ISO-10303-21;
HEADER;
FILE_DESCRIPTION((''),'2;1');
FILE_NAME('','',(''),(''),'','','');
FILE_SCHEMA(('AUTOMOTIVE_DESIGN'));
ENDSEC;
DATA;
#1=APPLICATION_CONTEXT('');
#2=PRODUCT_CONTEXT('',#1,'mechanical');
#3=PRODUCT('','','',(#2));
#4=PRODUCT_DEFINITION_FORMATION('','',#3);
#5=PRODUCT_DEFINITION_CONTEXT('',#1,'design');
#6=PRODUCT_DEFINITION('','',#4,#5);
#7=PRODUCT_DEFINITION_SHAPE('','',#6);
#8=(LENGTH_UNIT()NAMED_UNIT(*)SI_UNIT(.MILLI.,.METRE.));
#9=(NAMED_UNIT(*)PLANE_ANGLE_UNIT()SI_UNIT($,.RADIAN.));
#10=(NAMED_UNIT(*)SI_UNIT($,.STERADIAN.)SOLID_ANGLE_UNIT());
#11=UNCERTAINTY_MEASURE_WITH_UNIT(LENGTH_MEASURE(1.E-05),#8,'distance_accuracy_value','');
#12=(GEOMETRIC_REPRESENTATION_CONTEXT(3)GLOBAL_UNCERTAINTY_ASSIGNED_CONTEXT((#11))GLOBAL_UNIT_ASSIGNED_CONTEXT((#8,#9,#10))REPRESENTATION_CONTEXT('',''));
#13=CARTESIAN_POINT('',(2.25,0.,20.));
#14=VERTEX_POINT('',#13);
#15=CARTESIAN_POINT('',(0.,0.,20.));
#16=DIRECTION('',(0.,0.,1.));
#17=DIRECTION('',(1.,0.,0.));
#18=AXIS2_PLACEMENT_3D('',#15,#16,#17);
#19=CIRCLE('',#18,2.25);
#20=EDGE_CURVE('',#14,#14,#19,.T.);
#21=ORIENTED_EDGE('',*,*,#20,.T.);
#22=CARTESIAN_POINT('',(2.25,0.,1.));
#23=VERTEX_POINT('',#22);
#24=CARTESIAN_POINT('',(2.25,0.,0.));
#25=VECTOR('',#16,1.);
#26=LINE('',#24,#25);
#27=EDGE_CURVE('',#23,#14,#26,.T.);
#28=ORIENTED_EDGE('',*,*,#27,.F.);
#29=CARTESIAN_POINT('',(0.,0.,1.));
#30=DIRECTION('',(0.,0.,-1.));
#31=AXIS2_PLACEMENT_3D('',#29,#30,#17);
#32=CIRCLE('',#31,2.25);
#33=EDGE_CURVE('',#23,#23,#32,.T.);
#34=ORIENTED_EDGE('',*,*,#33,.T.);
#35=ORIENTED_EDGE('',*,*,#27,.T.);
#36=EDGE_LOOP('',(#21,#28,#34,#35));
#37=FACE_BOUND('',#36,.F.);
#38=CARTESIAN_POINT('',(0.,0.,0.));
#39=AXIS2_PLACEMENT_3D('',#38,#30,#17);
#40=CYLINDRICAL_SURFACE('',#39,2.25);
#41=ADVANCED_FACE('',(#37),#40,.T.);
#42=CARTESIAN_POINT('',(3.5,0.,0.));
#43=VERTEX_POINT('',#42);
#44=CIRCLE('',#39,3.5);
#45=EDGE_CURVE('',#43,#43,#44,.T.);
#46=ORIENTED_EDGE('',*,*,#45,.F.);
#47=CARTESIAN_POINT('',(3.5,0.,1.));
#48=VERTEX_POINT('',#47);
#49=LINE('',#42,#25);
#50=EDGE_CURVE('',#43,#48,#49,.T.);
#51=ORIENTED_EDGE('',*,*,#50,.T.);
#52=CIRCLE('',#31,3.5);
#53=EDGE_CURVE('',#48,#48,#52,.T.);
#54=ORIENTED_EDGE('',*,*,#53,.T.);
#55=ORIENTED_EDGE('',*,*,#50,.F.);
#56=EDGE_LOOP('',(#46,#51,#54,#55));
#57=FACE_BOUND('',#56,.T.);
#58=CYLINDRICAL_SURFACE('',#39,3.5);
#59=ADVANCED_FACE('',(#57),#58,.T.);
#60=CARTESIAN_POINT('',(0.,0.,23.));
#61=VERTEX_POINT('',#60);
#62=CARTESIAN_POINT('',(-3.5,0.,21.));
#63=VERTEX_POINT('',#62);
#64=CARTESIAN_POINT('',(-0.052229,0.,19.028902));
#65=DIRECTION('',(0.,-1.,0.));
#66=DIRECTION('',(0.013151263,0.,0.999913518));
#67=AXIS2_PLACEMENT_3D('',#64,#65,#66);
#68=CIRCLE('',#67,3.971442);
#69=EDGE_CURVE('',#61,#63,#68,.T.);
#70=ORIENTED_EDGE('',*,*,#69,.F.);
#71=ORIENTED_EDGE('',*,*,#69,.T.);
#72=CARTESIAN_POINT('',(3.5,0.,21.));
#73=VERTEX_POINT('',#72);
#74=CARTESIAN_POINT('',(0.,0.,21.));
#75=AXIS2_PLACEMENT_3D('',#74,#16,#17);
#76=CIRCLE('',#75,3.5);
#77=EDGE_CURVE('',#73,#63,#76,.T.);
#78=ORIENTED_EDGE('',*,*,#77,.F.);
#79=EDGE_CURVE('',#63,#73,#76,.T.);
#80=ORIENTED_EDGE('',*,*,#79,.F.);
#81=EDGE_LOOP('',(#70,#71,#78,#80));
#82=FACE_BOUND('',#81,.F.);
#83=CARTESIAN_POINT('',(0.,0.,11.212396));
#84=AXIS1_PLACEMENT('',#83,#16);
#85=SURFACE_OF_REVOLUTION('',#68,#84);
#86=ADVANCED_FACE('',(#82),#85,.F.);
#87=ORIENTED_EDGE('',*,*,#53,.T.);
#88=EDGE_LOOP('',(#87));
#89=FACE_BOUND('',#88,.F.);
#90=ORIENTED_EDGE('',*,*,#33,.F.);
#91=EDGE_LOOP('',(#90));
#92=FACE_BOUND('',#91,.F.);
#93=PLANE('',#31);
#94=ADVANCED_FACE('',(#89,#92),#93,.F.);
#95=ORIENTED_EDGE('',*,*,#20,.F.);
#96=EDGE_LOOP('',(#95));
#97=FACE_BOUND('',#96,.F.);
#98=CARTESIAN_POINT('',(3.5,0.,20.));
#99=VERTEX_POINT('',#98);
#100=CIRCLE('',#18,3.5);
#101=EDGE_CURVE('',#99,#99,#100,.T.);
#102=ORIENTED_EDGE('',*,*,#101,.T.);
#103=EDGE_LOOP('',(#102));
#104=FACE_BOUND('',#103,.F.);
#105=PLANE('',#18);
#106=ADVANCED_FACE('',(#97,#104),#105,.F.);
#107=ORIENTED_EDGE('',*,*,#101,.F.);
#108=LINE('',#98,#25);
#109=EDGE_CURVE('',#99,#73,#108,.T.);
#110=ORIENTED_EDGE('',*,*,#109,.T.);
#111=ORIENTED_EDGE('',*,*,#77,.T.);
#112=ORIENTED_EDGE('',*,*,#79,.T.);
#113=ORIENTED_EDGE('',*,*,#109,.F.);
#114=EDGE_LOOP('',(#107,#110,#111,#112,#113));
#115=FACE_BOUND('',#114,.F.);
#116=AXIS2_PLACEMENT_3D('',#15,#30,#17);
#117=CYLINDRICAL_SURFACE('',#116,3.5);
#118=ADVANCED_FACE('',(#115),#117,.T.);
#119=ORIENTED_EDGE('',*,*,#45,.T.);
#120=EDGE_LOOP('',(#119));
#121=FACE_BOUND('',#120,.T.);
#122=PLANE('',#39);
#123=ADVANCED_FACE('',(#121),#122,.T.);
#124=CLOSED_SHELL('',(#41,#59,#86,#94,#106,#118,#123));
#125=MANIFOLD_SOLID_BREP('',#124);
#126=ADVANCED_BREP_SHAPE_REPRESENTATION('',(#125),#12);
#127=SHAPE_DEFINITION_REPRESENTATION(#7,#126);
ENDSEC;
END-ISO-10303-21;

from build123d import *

# Parameters (mm, degrees)
F0_R     = 2.25
F1_DEPTH = 20
F2_R     = 3.5
F3_DEPTH = 1
F4_R     = 3.5
F5_DEPTH = 1


with BuildPart() as f1:
    # F0 (on Top) → F1 (new body)
    with BuildSketch(Plane.XY):
        Circle(F0_R)
    extrude(amount=F1_DEPTH)

    # F2 (on face) → F3 (join)
    with BuildSketch(Plane(origin=(0, 0, 0), x_dir=(1, 0, 0), z_dir=(0, 0, -1))):
        Circle(F2_R)
    extrude(amount=-F3_DEPTH)

    # F4 (on face) → F5 (join)
    with BuildSketch(Plane.XY.offset(20)):
        Circle(F4_R)
    extrude(amount=F5_DEPTH)

    # F6 (on Front) → F7 (revolve)
    with BuildSketch(Plane.XZ):
        with BuildLine():
            Line((0, 20.991329), (0, 23))
            ThreePointArc((0, 23), (-2.022616, 22.477079), (-3.5, 21))
            Line((-3.5, 21), (0, 20.991329))
        make_face()
    revolve(axis=Axis((0, 0, 11.212396), (0, 0, 1)))


solid = f1.part
